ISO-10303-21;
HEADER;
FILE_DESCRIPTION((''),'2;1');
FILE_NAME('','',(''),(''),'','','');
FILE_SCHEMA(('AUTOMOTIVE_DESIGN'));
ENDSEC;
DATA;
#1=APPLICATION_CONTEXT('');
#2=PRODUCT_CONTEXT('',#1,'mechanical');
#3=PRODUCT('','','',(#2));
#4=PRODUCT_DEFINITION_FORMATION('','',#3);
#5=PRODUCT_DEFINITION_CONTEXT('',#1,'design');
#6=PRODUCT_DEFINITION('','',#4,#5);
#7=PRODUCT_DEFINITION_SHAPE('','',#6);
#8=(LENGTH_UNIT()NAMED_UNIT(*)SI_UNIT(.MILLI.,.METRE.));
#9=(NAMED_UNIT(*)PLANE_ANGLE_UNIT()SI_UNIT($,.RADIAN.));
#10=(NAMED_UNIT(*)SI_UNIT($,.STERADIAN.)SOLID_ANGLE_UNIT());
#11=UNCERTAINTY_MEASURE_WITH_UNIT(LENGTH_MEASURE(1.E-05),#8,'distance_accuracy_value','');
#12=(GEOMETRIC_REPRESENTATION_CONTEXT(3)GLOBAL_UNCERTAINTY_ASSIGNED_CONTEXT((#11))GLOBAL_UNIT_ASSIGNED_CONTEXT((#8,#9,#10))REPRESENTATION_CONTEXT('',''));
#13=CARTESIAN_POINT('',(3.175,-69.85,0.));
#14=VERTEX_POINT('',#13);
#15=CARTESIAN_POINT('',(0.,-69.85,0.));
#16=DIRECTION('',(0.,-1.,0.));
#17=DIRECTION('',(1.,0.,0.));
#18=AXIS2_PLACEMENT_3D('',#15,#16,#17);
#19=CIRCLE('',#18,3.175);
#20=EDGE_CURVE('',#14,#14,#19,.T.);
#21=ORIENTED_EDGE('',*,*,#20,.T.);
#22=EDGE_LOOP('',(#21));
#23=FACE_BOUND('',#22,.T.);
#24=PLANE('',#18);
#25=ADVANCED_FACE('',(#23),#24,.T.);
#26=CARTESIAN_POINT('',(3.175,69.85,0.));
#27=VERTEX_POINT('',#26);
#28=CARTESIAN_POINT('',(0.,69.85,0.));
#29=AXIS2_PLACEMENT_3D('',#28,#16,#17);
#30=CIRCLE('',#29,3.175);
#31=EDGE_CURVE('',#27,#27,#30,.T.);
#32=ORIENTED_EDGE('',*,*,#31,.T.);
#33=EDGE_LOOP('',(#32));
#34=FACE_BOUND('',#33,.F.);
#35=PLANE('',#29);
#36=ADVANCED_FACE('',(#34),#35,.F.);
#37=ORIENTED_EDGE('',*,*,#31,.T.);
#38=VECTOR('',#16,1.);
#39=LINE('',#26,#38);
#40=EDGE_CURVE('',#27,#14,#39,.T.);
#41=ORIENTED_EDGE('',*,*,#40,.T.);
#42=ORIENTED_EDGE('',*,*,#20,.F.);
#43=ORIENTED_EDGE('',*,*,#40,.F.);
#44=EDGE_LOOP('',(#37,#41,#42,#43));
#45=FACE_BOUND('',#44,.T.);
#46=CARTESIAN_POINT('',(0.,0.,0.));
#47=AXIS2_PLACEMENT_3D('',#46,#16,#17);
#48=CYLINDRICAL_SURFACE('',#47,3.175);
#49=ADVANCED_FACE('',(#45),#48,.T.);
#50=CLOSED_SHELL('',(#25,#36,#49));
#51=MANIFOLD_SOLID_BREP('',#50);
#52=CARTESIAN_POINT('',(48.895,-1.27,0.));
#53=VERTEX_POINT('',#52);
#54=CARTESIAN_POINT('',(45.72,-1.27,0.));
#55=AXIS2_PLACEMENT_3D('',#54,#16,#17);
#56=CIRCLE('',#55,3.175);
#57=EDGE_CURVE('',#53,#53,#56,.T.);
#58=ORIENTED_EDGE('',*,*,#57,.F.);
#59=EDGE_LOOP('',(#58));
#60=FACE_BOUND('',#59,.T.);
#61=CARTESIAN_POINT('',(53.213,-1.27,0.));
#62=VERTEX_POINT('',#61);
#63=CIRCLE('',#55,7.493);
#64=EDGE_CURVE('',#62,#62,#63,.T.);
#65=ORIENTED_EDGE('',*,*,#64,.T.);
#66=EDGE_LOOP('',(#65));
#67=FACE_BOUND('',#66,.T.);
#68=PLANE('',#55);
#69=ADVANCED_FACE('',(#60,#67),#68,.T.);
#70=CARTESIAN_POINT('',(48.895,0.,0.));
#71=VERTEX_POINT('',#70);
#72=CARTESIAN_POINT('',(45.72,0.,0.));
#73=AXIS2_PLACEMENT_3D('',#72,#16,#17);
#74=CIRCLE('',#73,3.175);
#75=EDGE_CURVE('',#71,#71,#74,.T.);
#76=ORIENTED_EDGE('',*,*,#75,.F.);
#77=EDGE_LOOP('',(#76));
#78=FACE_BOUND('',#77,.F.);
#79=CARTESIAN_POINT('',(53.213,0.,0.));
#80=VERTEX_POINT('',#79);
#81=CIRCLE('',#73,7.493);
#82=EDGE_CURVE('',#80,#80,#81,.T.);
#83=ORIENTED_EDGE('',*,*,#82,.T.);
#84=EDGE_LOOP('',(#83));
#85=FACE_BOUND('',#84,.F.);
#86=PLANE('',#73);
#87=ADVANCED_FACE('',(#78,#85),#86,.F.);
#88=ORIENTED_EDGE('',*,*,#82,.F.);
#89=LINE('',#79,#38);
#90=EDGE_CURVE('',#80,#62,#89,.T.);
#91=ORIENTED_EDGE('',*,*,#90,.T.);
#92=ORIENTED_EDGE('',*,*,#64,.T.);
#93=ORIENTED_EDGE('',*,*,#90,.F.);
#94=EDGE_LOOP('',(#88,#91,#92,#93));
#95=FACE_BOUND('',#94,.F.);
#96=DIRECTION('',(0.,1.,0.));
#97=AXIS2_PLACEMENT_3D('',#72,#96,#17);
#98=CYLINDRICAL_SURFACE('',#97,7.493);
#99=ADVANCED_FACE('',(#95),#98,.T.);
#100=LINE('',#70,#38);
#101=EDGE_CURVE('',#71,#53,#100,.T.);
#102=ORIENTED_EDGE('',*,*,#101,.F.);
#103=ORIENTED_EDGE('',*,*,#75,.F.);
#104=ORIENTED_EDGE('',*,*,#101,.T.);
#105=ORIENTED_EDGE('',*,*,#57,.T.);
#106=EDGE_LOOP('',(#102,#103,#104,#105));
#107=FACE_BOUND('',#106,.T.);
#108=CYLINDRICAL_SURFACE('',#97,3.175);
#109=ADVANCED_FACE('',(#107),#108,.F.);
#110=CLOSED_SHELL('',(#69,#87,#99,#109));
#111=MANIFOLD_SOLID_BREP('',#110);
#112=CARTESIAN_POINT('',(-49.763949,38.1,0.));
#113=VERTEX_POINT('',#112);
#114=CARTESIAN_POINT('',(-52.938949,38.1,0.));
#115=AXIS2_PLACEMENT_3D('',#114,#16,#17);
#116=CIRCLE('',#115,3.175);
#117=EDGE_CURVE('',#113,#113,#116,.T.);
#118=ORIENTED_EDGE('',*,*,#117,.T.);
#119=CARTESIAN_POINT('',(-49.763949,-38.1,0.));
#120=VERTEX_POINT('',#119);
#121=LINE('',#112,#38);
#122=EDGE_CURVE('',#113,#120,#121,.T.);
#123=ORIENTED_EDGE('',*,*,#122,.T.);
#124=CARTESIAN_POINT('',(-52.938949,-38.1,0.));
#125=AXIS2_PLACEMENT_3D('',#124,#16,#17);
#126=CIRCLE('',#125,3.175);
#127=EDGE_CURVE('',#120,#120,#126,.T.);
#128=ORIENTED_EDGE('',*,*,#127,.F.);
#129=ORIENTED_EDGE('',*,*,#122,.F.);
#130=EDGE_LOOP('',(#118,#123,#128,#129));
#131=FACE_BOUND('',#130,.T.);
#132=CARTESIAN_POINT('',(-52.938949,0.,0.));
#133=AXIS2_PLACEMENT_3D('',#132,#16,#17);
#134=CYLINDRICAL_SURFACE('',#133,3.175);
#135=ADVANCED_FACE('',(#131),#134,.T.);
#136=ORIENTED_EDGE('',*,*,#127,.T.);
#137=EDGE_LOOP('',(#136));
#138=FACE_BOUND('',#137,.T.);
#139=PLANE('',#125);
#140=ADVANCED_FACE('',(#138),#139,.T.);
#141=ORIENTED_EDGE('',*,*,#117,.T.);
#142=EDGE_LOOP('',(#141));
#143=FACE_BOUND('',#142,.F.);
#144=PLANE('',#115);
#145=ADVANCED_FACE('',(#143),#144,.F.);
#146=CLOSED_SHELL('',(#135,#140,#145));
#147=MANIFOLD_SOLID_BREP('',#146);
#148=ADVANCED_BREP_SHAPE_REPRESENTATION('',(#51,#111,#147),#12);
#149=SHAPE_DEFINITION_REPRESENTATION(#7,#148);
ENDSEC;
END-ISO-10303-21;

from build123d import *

# Parameters (mm, degrees)
F0_R     = 3.175
F1_DEPTH = 38.1
F2_DEPTH = 69.85
F3_R     = 7.493
F3_R_2   = 3.175
F4_DEPTH = 1.27


with BuildPart() as f1:
    # F0 (on Front) → F1 (new body, symmetric)
    with BuildSketch(Plane.XZ):
        with Locations((-52.938949, 0)):
            Circle(F0_R)
    extrude(amount=F1_DEPTH, both=True)


with BuildPart() as f2:
    # F0 (on Front) → F2 (new body, symmetric)
    with BuildSketch(Plane.XZ):
        Circle(F0_R)
    extrude(amount=F2_DEPTH, both=True)


with BuildPart() as f4:
    # F3 (on Front) → F4 (new body)
    with BuildSketch(Plane.XZ):
        with Locations((45.72, 0)):
            Circle(F3_R)
        with Locations((45.72, 0)):
            Circle(F3_R_2, mode=Mode.SUBTRACT)
    extrude(amount=F4_DEPTH)


solid = Compound([f1.part, f2.part, f4.part])
